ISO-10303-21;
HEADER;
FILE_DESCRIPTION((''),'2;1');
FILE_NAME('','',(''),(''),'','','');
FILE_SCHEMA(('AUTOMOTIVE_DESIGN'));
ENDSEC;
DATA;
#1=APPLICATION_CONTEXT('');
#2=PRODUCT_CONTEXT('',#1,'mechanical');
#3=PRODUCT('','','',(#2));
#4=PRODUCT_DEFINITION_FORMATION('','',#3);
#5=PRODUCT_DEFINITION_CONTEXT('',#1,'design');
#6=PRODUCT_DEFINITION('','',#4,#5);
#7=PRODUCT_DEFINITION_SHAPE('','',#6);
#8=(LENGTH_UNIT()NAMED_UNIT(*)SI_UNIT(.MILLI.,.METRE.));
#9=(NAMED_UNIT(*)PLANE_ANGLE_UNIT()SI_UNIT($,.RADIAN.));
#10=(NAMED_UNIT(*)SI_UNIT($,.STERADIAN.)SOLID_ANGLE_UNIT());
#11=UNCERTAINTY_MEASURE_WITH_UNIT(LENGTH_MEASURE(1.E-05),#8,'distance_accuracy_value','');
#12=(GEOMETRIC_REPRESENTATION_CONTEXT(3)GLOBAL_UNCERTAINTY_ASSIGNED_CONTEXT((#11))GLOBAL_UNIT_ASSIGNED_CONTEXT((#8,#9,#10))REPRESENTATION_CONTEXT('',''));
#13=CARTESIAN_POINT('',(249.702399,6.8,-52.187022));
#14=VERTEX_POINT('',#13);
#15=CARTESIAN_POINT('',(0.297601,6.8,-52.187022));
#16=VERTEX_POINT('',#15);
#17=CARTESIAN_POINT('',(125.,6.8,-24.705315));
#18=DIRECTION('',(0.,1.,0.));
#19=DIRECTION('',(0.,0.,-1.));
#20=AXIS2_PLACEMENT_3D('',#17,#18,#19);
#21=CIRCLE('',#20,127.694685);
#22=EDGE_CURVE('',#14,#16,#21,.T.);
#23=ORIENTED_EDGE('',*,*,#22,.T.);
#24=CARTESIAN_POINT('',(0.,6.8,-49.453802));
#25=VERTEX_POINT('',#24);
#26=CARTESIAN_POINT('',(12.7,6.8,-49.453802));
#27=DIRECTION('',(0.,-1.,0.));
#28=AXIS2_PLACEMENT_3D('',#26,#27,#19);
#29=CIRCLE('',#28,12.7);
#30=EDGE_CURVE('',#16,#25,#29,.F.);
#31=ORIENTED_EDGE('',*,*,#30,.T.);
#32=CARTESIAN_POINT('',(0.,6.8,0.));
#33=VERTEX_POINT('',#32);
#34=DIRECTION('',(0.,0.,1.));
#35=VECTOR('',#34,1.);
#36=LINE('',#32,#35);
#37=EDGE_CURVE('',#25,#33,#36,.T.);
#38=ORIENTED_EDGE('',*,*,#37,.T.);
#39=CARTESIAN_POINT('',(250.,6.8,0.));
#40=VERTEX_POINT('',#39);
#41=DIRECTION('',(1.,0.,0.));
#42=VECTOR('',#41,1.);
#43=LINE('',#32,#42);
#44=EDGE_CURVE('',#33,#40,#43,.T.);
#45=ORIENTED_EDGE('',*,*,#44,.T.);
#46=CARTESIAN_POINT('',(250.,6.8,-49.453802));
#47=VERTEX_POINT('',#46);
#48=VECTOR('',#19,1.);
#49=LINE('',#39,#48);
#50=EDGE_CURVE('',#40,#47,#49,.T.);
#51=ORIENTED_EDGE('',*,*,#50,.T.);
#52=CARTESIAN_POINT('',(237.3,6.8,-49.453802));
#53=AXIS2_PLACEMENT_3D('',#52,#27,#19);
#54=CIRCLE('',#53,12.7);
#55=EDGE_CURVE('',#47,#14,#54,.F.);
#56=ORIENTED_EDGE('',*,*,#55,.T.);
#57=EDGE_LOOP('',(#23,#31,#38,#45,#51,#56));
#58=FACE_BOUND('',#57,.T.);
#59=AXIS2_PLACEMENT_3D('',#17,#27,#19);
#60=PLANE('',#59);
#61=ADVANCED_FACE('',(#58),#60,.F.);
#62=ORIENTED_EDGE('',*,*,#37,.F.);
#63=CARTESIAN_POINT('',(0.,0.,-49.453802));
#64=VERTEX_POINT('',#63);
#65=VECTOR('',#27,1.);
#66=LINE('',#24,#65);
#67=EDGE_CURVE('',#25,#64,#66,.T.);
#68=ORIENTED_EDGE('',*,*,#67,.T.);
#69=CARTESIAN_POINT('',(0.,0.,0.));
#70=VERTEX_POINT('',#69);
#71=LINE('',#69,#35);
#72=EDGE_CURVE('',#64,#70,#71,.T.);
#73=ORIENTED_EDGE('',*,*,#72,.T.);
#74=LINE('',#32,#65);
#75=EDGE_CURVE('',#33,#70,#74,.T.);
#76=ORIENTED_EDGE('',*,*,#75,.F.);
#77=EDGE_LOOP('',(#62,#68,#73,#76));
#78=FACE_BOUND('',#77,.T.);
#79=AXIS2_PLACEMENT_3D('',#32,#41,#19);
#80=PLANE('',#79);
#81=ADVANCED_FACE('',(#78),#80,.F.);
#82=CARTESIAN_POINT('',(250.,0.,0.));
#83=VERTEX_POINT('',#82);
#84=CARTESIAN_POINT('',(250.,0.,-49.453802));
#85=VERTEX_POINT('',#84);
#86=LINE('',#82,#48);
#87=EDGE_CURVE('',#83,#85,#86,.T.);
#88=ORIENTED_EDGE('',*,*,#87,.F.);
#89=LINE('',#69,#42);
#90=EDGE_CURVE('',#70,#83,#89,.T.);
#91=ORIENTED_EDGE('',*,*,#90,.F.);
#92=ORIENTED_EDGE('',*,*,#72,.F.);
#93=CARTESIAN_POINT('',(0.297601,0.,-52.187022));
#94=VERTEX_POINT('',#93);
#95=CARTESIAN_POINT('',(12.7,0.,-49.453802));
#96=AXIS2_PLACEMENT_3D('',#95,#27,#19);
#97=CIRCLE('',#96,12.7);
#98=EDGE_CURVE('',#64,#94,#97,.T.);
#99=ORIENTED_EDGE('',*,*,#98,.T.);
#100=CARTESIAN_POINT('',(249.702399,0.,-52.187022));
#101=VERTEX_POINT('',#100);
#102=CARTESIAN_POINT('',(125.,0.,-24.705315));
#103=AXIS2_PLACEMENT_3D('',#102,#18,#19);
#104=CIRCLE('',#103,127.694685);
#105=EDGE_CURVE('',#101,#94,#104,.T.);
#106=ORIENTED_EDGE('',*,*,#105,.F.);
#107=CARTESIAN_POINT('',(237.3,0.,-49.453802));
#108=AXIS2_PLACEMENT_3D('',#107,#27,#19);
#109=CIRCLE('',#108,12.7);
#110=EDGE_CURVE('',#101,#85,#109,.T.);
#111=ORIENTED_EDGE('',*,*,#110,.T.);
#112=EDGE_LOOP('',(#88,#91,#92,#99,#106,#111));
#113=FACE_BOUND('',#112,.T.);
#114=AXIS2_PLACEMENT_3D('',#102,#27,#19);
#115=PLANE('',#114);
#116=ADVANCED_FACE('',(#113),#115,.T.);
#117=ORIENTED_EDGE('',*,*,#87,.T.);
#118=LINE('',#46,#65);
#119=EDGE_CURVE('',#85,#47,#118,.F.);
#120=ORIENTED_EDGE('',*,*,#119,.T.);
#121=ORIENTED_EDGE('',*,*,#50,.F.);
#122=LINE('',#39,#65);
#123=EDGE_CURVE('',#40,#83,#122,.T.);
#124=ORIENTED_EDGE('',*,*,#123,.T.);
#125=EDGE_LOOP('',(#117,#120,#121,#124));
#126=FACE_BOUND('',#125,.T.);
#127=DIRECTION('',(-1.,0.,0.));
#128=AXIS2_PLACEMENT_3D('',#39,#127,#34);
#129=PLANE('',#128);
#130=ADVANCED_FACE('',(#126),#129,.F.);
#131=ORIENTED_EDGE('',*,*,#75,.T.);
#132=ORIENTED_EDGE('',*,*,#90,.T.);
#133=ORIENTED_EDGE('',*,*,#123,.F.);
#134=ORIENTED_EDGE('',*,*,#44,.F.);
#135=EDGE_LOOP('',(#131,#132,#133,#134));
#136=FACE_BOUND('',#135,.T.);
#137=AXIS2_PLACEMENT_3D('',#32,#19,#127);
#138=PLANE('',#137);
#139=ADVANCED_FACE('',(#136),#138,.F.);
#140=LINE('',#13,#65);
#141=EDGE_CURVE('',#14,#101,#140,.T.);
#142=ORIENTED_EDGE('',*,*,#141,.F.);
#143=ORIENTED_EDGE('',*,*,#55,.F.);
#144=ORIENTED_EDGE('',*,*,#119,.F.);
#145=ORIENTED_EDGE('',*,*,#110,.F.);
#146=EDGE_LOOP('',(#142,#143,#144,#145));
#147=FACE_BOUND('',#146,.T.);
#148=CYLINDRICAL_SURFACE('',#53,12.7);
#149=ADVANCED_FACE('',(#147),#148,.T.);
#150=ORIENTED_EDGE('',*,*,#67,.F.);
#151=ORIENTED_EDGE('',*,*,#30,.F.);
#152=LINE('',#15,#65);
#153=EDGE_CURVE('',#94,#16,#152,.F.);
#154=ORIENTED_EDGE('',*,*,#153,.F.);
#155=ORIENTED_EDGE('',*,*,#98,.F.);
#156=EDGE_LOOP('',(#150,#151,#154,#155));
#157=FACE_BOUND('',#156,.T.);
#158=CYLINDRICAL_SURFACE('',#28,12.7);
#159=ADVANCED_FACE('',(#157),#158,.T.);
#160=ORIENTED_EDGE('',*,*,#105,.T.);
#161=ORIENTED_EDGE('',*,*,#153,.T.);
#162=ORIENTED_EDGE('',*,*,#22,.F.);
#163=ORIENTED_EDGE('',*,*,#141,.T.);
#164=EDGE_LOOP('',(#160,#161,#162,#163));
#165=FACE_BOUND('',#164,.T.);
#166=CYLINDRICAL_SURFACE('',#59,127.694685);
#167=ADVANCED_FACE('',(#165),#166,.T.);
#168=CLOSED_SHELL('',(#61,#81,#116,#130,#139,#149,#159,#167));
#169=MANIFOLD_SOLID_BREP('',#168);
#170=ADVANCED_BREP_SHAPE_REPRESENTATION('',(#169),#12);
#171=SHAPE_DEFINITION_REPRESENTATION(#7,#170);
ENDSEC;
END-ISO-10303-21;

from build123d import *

# Parameters (mm, degrees)
BOSS_EXTRUDE1_DEPTH = 6.8
FILLET1_R           = 12.7


with BuildPart() as part:
    # Sketch1 → Boss-Extrude1 (new body)
    with BuildSketch(Plane(origin=(0, 0, 0), x_dir=(1, 0, 0), z_dir=(0, 1, 0))):
        with BuildLine():
            Line((0, 0), (250, 0))
            Line((250, 0), (250, 50.8))
            ThreePointArc((250, 50.8), (125, 152.4), (0, 50.8))
            Line((0, 50.8), (0, 0))
        make_face()
    extrude(amount=BOSS_EXTRUDE1_DEPTH)

    # Fillet1
    fillet1_edges = [part.edges().sort_by_distance(p)[0] for p in [
        (0, 3.4, -50.8),
        (250, 3.4, -50.8),
    ]]
    fillet(fillet1_edges, radius=FILLET1_R)


solid = part.part
